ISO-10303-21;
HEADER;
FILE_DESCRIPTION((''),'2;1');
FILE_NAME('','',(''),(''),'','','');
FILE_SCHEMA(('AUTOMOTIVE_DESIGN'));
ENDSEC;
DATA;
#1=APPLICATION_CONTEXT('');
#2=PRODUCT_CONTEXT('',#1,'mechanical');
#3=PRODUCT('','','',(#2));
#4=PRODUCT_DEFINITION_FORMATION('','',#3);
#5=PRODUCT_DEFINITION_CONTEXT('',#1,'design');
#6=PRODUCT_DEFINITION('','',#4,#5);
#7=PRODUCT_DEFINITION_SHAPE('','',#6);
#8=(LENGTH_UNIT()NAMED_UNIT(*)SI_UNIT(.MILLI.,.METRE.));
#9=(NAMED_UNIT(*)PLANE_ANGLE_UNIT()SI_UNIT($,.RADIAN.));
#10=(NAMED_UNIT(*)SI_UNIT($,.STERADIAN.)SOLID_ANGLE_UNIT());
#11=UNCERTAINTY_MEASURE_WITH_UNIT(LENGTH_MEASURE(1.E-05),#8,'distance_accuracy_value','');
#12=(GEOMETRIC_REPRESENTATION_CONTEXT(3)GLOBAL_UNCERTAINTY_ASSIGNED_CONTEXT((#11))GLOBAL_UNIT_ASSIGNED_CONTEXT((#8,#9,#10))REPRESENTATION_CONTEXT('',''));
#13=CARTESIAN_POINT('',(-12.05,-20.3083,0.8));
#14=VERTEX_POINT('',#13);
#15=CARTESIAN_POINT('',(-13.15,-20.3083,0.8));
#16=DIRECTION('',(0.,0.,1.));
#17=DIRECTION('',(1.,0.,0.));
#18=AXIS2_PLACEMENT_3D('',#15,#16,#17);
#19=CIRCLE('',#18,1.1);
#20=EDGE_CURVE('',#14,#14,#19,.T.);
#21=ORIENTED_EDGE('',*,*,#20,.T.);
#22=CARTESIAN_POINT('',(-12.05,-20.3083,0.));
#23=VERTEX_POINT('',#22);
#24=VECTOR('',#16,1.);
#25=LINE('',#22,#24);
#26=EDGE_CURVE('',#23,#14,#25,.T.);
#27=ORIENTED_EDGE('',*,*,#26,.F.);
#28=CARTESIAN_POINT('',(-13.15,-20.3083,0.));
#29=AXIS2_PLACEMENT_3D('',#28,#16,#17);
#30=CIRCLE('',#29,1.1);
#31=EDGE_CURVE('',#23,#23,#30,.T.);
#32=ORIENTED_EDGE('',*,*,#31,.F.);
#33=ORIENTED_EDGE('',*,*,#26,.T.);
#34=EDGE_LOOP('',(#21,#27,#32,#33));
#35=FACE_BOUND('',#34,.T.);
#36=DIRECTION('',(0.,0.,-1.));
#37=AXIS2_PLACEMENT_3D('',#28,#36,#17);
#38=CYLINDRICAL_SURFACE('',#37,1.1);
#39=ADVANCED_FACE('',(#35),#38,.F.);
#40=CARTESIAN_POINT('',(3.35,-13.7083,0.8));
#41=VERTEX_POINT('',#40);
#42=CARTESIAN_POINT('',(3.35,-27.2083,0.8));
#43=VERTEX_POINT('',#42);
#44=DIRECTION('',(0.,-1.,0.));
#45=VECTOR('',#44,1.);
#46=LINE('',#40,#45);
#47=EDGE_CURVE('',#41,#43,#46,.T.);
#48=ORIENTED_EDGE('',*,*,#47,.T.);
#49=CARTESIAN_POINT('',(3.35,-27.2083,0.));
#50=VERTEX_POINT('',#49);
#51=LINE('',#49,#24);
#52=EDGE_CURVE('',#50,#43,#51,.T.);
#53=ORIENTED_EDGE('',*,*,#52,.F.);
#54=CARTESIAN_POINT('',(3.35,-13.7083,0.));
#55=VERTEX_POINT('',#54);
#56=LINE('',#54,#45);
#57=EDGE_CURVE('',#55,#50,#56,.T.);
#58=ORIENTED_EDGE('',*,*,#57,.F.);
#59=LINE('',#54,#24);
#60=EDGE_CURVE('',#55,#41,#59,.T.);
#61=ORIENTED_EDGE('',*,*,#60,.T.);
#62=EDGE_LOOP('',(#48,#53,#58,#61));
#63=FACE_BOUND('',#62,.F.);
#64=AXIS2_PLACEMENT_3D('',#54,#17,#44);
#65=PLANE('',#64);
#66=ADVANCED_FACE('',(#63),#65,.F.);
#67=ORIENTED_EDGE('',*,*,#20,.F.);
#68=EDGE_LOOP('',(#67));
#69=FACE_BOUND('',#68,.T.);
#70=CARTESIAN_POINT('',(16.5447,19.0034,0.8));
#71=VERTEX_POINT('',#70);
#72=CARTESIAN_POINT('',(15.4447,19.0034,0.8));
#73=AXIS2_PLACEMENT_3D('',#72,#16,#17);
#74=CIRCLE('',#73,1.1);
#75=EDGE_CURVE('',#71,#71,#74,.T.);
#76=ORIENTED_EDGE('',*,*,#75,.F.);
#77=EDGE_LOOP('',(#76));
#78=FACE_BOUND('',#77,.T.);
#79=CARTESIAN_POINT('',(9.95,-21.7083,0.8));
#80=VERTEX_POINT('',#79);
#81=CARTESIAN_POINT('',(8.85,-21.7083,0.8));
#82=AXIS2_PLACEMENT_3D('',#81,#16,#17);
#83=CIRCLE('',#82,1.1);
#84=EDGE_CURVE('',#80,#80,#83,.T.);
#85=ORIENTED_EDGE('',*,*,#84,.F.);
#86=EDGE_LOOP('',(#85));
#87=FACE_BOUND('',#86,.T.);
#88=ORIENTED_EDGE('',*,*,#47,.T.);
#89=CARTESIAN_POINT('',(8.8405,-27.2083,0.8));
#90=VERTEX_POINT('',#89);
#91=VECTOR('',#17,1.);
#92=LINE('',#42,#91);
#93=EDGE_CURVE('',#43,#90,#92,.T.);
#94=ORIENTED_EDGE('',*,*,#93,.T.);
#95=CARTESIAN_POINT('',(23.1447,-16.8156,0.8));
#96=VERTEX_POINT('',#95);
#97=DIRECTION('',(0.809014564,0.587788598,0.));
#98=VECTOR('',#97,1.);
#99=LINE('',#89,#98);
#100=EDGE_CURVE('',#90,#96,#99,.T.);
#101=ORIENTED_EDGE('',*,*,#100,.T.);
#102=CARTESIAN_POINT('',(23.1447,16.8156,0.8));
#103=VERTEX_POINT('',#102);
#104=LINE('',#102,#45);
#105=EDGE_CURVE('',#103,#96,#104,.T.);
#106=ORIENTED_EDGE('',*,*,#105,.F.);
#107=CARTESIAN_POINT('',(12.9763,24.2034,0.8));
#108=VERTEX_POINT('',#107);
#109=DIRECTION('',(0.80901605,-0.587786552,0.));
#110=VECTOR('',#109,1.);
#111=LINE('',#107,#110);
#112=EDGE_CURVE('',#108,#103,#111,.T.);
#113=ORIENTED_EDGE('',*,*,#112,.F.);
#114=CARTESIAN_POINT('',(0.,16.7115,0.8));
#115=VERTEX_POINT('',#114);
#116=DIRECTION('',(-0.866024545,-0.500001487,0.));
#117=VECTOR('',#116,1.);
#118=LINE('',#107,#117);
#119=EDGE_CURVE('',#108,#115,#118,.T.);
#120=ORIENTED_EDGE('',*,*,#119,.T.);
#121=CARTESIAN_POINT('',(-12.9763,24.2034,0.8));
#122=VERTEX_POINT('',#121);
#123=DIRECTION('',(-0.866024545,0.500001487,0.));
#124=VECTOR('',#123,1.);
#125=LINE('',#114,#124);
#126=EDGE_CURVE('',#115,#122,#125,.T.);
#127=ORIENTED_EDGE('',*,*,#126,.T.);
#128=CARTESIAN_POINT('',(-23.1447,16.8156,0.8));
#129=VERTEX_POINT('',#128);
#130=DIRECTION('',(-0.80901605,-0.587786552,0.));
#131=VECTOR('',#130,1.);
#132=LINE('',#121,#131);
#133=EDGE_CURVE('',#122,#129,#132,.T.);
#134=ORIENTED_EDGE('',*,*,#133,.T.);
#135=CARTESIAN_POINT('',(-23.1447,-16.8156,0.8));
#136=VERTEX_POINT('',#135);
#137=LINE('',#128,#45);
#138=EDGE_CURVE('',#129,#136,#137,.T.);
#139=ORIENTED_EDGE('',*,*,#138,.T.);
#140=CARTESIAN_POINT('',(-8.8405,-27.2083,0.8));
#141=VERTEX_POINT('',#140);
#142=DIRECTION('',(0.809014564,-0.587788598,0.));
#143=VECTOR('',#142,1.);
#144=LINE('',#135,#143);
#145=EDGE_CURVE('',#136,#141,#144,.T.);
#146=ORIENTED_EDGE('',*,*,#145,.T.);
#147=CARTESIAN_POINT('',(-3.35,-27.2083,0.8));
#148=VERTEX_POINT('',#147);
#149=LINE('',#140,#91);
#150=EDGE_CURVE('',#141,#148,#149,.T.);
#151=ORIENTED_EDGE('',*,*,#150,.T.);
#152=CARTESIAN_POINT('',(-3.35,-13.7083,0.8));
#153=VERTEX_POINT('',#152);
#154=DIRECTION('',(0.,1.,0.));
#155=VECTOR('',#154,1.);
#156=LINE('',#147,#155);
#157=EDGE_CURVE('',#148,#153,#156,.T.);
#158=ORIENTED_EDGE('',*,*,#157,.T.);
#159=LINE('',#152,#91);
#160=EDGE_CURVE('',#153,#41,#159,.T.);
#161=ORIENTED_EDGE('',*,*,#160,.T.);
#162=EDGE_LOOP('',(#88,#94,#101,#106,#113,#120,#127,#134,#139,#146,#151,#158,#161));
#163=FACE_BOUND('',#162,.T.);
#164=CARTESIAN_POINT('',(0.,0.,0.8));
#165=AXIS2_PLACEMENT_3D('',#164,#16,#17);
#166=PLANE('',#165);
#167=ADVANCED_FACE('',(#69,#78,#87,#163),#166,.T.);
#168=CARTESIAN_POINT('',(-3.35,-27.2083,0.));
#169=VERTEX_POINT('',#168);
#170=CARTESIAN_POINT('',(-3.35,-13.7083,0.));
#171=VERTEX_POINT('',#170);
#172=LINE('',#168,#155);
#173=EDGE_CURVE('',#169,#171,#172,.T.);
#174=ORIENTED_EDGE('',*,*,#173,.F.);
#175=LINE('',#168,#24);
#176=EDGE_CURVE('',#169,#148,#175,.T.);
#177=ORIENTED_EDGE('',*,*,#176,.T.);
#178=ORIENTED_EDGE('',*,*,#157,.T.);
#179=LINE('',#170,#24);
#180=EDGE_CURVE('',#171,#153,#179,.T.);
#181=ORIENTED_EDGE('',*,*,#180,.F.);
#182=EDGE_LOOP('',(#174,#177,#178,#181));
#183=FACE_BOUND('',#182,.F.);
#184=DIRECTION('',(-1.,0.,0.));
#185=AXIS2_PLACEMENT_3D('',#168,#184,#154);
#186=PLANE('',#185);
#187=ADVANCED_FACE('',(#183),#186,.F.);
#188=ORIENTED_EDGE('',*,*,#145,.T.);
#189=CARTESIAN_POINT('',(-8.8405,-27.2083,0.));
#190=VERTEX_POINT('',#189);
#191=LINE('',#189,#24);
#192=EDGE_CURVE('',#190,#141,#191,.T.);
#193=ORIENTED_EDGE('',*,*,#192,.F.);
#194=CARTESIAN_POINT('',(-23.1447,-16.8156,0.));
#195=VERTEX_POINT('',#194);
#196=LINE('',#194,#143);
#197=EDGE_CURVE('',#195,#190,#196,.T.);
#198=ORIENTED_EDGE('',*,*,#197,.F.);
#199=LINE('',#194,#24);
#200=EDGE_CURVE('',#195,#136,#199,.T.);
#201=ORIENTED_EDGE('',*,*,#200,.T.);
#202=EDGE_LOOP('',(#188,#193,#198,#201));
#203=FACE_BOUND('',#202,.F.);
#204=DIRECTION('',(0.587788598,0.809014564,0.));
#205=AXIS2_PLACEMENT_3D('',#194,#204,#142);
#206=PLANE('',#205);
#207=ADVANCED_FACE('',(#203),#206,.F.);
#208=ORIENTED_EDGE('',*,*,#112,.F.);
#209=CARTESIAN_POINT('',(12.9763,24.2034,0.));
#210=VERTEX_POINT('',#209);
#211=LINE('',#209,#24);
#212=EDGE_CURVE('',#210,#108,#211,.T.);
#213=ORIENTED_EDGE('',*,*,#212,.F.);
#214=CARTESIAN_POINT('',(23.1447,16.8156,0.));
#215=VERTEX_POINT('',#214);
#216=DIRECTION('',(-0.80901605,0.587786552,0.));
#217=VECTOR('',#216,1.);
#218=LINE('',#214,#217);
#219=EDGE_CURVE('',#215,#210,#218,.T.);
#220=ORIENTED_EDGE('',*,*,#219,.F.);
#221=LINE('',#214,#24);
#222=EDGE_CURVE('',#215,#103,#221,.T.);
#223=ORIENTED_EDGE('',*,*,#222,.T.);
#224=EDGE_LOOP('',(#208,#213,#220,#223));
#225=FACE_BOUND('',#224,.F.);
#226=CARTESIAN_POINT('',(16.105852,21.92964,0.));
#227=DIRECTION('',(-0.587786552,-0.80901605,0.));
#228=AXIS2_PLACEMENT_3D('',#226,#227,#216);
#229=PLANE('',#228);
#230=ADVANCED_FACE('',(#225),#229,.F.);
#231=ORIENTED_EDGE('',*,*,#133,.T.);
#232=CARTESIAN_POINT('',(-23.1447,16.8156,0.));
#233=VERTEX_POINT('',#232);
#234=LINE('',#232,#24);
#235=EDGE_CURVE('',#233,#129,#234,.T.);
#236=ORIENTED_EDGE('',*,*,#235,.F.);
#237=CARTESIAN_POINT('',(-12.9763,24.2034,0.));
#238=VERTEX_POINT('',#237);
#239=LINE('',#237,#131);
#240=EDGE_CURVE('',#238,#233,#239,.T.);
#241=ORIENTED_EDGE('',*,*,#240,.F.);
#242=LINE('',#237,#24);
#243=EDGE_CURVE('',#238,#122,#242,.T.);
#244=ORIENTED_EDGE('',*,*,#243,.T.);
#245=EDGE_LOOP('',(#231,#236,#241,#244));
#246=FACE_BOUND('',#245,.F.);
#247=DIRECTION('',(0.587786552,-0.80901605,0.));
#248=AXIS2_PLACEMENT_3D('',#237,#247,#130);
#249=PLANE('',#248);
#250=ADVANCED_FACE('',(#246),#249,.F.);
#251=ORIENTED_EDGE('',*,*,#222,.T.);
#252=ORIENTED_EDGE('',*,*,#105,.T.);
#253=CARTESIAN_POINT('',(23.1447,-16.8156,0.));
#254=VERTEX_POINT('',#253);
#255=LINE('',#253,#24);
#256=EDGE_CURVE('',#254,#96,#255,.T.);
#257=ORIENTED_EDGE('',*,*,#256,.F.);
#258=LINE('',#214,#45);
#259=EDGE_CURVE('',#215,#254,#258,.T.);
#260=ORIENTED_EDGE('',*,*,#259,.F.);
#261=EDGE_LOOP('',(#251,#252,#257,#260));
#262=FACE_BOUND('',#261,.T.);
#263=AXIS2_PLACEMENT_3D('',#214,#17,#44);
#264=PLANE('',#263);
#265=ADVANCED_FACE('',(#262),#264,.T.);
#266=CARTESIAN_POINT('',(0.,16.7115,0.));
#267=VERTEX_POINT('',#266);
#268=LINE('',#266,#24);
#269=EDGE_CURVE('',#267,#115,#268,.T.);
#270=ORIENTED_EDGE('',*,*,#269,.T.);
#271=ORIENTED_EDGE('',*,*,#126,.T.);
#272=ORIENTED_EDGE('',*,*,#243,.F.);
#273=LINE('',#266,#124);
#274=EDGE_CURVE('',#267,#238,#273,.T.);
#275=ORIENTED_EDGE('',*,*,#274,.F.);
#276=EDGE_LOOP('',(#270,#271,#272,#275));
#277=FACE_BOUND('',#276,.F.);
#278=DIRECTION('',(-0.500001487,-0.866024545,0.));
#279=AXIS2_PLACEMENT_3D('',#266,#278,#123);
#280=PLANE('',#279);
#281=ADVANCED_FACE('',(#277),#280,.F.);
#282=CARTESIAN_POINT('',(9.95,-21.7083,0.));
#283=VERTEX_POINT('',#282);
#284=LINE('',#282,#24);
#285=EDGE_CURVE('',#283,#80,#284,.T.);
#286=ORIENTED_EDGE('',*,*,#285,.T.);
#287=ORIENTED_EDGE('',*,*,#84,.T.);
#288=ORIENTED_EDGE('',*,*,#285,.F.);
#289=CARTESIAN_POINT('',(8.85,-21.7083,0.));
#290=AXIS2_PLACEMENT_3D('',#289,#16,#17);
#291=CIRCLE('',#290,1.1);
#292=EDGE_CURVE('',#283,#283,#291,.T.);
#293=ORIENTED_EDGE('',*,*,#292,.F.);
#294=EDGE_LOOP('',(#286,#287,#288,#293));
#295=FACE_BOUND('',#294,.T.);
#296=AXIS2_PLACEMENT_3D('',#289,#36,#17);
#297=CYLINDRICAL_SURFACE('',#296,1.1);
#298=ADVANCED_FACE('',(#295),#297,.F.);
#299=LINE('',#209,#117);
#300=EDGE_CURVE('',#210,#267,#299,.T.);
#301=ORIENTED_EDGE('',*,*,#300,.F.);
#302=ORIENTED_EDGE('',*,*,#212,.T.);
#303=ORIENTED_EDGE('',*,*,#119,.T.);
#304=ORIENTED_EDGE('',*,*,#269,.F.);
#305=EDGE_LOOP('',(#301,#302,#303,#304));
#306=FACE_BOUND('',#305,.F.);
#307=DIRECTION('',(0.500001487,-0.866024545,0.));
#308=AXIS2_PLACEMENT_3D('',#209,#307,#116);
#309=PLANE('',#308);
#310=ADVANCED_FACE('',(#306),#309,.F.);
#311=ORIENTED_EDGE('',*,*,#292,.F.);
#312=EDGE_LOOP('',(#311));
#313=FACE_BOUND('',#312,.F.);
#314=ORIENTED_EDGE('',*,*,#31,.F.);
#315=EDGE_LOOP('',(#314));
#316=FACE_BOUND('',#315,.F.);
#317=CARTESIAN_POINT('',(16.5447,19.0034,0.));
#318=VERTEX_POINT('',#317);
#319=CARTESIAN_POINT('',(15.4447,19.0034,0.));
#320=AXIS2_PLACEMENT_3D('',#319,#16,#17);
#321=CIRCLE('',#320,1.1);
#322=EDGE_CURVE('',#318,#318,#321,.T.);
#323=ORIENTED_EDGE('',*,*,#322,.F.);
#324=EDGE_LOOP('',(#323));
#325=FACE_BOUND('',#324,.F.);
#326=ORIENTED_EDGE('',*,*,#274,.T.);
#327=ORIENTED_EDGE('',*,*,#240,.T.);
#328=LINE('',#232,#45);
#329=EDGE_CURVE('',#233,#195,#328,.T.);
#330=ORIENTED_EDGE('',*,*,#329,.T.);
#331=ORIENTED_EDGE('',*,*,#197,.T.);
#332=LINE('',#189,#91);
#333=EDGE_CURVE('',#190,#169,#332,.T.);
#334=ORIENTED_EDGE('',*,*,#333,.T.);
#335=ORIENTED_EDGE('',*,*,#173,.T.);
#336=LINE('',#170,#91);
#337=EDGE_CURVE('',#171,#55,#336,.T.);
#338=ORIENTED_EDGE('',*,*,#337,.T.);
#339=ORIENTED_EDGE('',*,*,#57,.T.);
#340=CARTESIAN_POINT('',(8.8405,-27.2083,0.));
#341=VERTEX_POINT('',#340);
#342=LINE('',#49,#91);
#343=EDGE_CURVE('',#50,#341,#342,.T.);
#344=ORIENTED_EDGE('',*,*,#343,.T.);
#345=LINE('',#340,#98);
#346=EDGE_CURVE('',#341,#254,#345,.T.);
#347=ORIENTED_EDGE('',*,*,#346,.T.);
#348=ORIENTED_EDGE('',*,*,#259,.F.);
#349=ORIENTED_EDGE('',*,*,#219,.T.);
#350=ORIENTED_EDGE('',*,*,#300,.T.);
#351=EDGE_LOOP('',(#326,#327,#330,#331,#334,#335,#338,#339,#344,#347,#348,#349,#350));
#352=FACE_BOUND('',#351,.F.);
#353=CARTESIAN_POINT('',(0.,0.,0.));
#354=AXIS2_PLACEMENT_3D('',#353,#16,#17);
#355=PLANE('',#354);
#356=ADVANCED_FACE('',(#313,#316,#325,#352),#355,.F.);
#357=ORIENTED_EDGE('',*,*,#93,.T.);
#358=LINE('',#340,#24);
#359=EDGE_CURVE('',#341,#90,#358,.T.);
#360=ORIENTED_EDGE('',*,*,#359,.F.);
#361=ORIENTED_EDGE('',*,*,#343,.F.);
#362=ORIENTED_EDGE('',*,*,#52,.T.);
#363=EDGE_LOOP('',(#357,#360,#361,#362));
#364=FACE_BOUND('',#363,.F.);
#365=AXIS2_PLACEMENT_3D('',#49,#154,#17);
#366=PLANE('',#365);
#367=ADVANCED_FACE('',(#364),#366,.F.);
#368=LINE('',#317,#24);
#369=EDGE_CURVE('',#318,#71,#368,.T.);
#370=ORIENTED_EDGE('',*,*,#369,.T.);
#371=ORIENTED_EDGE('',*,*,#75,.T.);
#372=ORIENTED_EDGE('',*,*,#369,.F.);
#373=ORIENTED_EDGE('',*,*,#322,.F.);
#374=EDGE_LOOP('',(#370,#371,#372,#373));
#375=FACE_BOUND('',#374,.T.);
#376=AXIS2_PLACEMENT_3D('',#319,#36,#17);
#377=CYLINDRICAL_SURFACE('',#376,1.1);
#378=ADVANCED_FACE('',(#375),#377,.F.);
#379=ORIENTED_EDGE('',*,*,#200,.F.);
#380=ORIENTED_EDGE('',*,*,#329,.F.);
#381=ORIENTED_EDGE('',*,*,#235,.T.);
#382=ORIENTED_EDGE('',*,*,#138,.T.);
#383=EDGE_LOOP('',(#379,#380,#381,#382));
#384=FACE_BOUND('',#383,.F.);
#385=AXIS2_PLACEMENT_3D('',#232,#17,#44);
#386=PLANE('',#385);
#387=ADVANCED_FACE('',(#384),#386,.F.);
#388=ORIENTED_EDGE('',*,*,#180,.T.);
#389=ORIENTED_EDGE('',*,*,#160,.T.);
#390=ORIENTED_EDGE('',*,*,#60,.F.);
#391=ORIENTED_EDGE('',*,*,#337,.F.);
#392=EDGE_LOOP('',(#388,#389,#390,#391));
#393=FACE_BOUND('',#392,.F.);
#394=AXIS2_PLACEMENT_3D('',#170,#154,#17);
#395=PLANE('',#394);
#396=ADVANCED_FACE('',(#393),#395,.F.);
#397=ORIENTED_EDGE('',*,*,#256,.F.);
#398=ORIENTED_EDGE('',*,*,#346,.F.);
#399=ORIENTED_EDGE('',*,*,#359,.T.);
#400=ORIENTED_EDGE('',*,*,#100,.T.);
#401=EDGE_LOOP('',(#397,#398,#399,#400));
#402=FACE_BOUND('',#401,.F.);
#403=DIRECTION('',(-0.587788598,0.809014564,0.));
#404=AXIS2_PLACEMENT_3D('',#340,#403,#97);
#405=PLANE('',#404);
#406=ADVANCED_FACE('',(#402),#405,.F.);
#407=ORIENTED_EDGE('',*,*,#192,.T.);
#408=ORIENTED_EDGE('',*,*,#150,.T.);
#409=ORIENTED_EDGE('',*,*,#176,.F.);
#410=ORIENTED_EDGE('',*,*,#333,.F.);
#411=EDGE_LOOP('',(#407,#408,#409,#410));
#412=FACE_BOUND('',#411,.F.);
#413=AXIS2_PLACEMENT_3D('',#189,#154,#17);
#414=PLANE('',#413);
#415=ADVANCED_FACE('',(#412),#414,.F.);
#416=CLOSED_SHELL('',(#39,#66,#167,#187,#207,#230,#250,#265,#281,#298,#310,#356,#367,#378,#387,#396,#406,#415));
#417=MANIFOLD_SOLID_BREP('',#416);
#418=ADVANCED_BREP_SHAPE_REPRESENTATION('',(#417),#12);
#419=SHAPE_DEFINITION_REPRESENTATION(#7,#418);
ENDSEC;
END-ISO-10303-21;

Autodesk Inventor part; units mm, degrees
ref_plane "YZ Plane" through (0, 0, 0) normal (1, 0, 0) x (0, 1, 0)
ref_plane "XZ Plane" through (0, 0, 0) normal (0, 1, 0) x (-1, 0, 0)
ref_plane "XY Plane" through (0, 0, 0) normal (0, 0, 1) x (1, 0, 0)
sketch "Sketch1" plane through (0, 0, 0) normal (0, 0, 1) x (1, 0, 0)
  line L0 (9.734, 29.9583) -> (25.484, 18.5152)
  line L1 (25.484, 18.5152) -> (31.5, 0)
  line L2 (31.5, 0) -> (25.484, -18.5152)
  line L3 (25.484, -18.5152) -> (9.734, -29.9583)
  line L4 (9.734, -29.9583) -> (-9.734, -29.9583)
  line L5 (-9.734, -29.9583) -> (-25.484, -18.5152)
  line L6 (-25.484, -18.5152) -> (-31.5, 0)
  line L7 (-31.5, 0) -> (-25.484, 18.5152)
  line L8 (-25.484, 18.5152) -> (-9.734, 29.9583)
  line L9 (-9.734, 29.9583) -> (9.734, 29.9583)
  line L10 (0, 29.9583) -> (0, 0)
  line L11 (-13.8564, 26.9632) -> (0, 18.9632)
  line L12 (0, 18.9632) -> (13.8564, 26.9632)
  line L13 (-23.3574, 16.9702) -> (-28.8713, 0)
  line L14 (-28.8713, 0) -> (-23.3574, -16.9702)
  line L15 (-23.3574, -16.9702) -> (-8.9217, -27.4583)
  line L16 (-8.9217, -27.4583) -> (8.9217, -27.4583)
  line L17 (8.9217, -27.4583) -> (23.3574, -16.9702)
  line L18 (23.3574, -16.9702) -> (28.8713, 0)
  line L19 (28.8713, 0) -> (23.3574, 16.9702)
  line L20 (8.9217, 27.4583) -> (-8.9217, 27.4583)
  line L21 (-8.9217, 27.4583) -> (-11.4864, 25.5949)
  line L22 (-12.9919, 24.5011) -> (-23.3574, 16.9702)
  line L23 (-12.9919, 24.5011) -> (0, 17.0002)
  line L24 (23.3574, 16.9702) -> (12.9919, 24.5011)
  line L25 (11.4864, 25.5949) -> (8.9217, 27.4583)
  line L26 (0, 17.0002) -> (12.9919, 24.5011)
  line L27 (0, 16.7115) -> (-12.9763, 24.2034)
  line L28 (-12.9763, 24.2034) -> (-23.1447, 16.8156)
  line L29 (-23.1447, -16.8156) -> (-8.8405, -27.2083)
  line L30 (8.8405, -27.2083) -> (23.1447, -16.8156)
  line L31 (23.1447, 16.8156) -> (12.9763, 24.2034)
  line L32 (12.9763, 24.2034) -> (0, 16.7115)
  line L33 (-23.1447, 16.8156) -> (-23.1447, -16.8156)
  line L34 (23.1447, 16.8156) -> (23.1447, -16.8156)
  line L35 (-3.35, -27.2083) -> (-3.35, -13.7083)
  line L36 (-3.35, -13.7083) -> (3.35, -13.7083)
  line L37 (3.35, -13.7083) -> (3.35, -27.2083)
  line L38 (-8.8405, -27.2083) -> (-3.35, -27.2083)
  line L39 (3.35, -27.2083) -> (8.8405, -27.2083)
  circle A0 centre (15.4447, 19.0034) radius 3
  circle A1 centre (15.4447, 19.0034) radius 1.1
  circle A2 centre (-13.15, -20.3083) radius 3
  circle A3 centre (-13.15, -20.3083) radius 1.1
  circle A4 centre (8.85, -21.7083) radius 3
  circle A5 centre (8.85, -21.7083) radius 1.1
  circle A6 centre (15.4447, 19.0034) radius 2
  circle A7 centre (-13.15, -20.3083) radius 2
  circle A8 centre (8.85, -21.7083) radius 2
  dimension "d0" = 63
  dimension "d1" = 16
  dimension "d4" = 120
  dimension "d6" = 2.5
  dimension "d7" = 1.7
  dimension "d8" = 0.25
  dimension "d11" = 6.7
  dimension "d12" = 13.5
  dimension "d13" = 0.25
  dimension "d15" = 0.25
  dimension "d16" = 0.25
  dimension "d24" = 6
  dimension "d25" = 2.2
  dimension "d26" = 6
  dimension "d27" = 2.2
  dimension "d28" = 6
  dimension "d29" = 2.2
  dimension "d30" = 5.5
  dimension "d31" = 5.5
  dimension "d32" = 9.8
  dimension "d33" = 6.9
  dimension "d36" = 5.2
  dimension "d37" = 7.7
  dimension "d38" = 4
  dimension "d39" = 4
  dimension "d40" = 4
extrude "Extrusion1" add sketch "Sketch1" along normal blind 0.8 contours L32 L31 A0 L34 L30 L39 L37 L36 L35 L38 L29 L33 L28 L27 | L31 A0 | A2 | A4 | A6 | A7 | A8 picked at (16.9034, 21.0385)
properties part number "PCB" material "FR4"
